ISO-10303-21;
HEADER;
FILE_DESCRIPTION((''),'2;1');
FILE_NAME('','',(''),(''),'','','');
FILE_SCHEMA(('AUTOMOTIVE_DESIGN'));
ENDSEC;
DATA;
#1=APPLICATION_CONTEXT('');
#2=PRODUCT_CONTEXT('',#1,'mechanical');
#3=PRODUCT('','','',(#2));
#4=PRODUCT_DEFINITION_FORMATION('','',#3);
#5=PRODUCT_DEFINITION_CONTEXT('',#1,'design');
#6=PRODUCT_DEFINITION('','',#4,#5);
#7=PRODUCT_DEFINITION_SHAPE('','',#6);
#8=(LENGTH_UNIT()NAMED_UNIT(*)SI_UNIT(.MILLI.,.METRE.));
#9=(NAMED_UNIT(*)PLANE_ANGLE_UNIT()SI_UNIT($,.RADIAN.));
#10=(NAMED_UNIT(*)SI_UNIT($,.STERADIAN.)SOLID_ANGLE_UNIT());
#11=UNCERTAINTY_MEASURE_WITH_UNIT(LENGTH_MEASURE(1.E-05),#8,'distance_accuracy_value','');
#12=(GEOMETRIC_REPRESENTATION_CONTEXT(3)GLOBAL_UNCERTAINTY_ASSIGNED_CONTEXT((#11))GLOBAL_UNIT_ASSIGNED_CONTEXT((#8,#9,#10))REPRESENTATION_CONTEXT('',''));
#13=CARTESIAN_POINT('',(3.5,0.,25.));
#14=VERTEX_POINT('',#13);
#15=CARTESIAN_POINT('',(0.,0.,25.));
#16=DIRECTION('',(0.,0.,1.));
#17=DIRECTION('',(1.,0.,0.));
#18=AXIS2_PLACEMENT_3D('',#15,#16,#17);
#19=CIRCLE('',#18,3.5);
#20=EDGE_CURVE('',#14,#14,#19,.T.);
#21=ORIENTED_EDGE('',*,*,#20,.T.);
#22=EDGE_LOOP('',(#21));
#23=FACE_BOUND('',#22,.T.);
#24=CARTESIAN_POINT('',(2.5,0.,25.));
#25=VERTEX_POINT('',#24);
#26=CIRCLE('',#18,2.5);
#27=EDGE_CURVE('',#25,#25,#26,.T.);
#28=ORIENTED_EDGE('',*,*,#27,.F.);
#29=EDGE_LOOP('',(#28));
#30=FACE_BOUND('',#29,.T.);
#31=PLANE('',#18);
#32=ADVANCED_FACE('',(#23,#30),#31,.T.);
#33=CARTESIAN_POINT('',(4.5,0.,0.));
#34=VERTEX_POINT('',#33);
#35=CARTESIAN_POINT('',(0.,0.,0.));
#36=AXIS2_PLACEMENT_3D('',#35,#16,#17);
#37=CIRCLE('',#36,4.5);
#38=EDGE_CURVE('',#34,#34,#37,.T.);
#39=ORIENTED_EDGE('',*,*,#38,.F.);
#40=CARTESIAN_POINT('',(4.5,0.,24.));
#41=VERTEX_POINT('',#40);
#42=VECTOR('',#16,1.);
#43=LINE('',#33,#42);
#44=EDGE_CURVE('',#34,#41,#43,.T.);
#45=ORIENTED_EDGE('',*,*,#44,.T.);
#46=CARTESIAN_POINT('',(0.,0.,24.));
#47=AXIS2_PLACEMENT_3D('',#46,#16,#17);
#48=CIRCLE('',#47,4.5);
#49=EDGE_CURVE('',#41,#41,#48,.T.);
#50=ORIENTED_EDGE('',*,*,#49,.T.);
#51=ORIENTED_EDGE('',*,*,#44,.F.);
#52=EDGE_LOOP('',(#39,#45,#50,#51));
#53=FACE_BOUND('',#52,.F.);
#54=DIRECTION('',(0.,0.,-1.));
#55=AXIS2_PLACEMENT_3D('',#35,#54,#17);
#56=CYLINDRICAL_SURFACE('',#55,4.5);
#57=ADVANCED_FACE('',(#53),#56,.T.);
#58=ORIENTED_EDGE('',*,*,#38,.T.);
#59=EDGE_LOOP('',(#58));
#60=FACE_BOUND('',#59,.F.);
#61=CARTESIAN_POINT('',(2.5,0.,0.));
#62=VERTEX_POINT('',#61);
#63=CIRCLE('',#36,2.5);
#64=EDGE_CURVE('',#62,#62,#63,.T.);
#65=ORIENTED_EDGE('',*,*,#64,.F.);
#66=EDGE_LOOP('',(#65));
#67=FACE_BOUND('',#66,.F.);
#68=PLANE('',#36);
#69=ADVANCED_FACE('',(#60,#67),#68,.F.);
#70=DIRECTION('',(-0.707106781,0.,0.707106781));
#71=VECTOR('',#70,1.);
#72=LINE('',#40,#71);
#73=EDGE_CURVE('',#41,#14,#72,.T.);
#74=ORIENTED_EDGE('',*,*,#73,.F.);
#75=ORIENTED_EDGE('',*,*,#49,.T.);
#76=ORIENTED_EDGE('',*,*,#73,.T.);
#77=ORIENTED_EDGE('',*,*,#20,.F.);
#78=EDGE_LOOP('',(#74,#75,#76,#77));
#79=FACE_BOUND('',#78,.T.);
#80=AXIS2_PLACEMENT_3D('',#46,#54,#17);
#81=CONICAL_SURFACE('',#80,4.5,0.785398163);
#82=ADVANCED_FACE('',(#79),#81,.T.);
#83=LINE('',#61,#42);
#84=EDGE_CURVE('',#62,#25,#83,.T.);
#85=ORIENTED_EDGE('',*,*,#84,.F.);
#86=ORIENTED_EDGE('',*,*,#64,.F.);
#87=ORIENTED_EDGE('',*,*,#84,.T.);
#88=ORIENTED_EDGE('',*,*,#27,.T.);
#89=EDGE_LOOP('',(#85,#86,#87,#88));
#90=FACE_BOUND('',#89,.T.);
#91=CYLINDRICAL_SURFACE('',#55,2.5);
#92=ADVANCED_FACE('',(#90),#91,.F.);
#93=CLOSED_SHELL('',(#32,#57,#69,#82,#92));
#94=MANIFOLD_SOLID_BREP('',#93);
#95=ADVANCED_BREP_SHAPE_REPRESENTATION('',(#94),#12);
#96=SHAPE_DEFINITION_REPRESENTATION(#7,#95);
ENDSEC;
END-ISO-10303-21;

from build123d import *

# Parameters (mm, degrees)
SKETCH_R     = 4.5
SKETCH_R_2   = 2.5
PAD_DEPTH    = 25
CHAMFER_SIZE = 1


with BuildPart() as part:
    # Sketch → Pad (new body)
    with BuildSketch(Plane.XY):
        Circle(SKETCH_R)
        Circle(SKETCH_R_2, mode=Mode.SUBTRACT)
    extrude(amount=PAD_DEPTH)

    # Chamfer
    chamfer_edges = [part.edges().sort_by_distance(p)[0] for p in [
        (-4.5, 0, 25),
    ]]
    chamfer(chamfer_edges, length=CHAMFER_SIZE)


solid = part.part
